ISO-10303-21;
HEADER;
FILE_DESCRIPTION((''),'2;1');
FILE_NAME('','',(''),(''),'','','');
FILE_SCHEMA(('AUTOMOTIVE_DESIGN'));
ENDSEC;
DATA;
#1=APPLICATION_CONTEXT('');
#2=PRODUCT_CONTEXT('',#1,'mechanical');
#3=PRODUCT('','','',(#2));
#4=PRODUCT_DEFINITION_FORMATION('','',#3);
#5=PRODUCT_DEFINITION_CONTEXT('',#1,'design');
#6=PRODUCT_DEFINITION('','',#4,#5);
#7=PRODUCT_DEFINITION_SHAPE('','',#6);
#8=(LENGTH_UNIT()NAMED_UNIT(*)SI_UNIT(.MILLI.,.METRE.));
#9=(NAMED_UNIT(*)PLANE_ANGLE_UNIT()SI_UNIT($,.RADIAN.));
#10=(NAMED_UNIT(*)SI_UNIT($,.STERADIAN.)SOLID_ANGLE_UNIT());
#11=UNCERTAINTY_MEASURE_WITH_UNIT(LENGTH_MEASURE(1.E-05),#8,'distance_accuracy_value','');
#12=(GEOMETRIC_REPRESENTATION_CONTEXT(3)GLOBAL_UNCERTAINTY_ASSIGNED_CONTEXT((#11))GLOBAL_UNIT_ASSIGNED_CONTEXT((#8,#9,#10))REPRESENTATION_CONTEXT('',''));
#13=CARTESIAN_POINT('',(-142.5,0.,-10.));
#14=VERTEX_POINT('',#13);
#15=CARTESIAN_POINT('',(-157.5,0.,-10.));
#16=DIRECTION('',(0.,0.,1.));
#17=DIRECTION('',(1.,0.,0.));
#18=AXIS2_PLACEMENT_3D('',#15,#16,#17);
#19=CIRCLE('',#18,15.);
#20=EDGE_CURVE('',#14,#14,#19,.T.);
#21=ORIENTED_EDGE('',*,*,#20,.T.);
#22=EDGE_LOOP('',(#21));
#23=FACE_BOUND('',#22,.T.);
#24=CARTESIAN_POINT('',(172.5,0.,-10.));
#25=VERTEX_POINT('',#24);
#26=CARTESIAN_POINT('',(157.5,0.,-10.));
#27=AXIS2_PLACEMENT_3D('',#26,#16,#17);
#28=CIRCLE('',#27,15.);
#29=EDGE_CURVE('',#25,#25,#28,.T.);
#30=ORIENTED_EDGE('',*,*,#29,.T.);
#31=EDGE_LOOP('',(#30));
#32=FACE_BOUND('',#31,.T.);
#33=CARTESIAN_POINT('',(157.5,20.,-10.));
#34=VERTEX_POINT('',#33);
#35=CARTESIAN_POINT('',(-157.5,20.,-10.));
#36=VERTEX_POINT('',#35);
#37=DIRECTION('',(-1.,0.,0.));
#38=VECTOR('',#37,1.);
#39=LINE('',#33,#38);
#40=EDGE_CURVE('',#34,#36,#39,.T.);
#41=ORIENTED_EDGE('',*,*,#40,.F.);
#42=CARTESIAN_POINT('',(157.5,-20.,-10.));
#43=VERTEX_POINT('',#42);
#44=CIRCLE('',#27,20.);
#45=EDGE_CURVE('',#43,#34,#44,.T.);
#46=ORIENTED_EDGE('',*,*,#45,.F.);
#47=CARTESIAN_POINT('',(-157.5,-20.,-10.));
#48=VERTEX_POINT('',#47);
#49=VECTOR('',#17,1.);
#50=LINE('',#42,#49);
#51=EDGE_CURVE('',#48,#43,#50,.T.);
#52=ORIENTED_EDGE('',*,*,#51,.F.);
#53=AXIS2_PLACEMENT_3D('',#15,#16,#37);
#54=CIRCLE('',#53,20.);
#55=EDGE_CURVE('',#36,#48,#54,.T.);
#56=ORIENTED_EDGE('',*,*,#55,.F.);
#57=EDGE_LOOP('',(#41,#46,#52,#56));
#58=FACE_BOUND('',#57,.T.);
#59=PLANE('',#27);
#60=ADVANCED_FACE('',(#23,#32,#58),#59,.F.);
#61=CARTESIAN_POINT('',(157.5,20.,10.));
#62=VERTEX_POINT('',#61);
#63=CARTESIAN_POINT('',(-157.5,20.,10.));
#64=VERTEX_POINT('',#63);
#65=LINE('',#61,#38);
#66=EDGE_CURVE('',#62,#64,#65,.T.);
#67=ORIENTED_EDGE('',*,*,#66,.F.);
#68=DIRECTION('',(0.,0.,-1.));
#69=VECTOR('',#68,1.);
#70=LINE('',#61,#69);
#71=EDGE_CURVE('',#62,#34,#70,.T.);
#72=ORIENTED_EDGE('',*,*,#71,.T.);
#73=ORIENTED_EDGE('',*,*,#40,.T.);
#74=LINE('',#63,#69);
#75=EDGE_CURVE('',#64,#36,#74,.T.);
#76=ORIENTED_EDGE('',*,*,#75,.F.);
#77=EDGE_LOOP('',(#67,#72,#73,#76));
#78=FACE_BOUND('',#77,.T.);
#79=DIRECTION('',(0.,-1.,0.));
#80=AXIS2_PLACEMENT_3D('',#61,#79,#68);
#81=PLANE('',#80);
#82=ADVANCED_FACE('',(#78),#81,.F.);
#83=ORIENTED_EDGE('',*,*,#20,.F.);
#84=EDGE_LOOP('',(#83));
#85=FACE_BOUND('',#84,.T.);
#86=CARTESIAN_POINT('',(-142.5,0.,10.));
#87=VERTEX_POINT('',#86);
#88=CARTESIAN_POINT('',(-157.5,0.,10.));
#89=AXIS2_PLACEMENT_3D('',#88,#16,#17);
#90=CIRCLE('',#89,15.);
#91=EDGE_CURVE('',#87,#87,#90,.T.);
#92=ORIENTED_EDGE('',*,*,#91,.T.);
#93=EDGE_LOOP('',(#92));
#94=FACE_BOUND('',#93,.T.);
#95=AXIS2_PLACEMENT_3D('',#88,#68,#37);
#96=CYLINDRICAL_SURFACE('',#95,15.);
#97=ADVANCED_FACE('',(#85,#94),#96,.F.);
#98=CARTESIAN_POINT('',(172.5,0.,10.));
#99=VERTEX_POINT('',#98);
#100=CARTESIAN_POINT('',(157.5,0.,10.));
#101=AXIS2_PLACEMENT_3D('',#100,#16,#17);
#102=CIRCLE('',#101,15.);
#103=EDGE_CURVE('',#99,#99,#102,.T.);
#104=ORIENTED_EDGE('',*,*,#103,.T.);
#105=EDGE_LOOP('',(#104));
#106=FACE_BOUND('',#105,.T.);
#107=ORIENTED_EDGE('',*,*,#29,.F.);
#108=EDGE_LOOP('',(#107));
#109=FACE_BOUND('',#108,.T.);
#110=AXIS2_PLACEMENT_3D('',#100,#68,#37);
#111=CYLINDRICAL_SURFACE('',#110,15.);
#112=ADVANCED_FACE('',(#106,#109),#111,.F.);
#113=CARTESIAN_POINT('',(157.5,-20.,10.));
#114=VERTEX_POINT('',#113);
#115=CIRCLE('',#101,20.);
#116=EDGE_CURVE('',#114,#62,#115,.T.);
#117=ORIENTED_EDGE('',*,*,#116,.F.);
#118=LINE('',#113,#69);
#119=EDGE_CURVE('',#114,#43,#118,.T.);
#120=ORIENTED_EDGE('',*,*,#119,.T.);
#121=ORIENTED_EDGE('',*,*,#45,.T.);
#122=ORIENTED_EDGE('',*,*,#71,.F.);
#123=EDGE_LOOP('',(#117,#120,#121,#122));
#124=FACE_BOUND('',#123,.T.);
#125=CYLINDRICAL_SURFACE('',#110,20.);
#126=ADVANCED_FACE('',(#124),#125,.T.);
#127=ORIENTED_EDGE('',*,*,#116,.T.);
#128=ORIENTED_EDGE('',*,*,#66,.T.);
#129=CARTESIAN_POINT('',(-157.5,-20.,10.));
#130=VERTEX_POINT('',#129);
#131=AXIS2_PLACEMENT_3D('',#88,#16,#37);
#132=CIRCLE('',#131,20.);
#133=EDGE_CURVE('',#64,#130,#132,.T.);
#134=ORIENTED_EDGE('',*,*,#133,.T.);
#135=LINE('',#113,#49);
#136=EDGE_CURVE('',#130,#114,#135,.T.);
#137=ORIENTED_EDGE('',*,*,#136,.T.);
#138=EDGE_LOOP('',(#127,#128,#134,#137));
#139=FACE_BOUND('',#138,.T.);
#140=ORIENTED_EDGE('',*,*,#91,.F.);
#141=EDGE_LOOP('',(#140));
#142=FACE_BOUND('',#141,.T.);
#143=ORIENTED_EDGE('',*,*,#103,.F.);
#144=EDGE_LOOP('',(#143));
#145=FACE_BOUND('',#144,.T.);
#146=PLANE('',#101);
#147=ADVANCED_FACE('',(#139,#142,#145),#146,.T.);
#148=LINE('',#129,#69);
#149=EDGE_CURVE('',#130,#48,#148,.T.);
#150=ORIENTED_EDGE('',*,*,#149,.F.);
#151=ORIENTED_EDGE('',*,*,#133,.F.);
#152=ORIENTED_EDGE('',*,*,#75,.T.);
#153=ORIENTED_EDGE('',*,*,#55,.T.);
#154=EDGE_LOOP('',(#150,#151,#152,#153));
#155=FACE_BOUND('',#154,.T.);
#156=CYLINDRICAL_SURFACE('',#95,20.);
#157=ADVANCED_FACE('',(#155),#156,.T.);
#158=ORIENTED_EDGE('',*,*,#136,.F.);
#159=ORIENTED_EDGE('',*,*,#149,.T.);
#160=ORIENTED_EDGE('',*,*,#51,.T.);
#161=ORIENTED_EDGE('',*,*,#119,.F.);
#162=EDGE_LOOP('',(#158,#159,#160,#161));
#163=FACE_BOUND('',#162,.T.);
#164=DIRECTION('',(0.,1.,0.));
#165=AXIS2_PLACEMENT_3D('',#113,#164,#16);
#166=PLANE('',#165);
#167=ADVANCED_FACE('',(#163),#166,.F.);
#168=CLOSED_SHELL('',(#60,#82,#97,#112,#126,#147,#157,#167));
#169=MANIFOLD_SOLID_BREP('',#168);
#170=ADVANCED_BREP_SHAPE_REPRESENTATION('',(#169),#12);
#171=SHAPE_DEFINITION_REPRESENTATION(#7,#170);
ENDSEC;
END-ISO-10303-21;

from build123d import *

# Parameters (mm, degrees)
SKETCH_7_R      = 15
EXTRUDE_4_DEPTH = 10


with BuildPart() as part:
    # 草圖7 → 填料-伸長4 (new, symmetric)
    with BuildSketch(Plane.XY):
        with BuildLine():
            Line((157.5, -20), (-157.5, -20))
            ThreePointArc((-157.5, -20), (-177.5, 0), (-157.5, 20))
            Line((-157.5, 20), (157.5, 20))
            ThreePointArc((157.5, 20), (177.5, 0), (157.5, -20))
        make_face()
        with Locations((-157.5, 0)):
            Circle(SKETCH_7_R, mode=Mode.SUBTRACT)
        with Locations((157.5, 0)):
            Circle(SKETCH_7_R, mode=Mode.SUBTRACT)
    extrude(amount=EXTRUDE_4_DEPTH, both=True)


solid = part.part
